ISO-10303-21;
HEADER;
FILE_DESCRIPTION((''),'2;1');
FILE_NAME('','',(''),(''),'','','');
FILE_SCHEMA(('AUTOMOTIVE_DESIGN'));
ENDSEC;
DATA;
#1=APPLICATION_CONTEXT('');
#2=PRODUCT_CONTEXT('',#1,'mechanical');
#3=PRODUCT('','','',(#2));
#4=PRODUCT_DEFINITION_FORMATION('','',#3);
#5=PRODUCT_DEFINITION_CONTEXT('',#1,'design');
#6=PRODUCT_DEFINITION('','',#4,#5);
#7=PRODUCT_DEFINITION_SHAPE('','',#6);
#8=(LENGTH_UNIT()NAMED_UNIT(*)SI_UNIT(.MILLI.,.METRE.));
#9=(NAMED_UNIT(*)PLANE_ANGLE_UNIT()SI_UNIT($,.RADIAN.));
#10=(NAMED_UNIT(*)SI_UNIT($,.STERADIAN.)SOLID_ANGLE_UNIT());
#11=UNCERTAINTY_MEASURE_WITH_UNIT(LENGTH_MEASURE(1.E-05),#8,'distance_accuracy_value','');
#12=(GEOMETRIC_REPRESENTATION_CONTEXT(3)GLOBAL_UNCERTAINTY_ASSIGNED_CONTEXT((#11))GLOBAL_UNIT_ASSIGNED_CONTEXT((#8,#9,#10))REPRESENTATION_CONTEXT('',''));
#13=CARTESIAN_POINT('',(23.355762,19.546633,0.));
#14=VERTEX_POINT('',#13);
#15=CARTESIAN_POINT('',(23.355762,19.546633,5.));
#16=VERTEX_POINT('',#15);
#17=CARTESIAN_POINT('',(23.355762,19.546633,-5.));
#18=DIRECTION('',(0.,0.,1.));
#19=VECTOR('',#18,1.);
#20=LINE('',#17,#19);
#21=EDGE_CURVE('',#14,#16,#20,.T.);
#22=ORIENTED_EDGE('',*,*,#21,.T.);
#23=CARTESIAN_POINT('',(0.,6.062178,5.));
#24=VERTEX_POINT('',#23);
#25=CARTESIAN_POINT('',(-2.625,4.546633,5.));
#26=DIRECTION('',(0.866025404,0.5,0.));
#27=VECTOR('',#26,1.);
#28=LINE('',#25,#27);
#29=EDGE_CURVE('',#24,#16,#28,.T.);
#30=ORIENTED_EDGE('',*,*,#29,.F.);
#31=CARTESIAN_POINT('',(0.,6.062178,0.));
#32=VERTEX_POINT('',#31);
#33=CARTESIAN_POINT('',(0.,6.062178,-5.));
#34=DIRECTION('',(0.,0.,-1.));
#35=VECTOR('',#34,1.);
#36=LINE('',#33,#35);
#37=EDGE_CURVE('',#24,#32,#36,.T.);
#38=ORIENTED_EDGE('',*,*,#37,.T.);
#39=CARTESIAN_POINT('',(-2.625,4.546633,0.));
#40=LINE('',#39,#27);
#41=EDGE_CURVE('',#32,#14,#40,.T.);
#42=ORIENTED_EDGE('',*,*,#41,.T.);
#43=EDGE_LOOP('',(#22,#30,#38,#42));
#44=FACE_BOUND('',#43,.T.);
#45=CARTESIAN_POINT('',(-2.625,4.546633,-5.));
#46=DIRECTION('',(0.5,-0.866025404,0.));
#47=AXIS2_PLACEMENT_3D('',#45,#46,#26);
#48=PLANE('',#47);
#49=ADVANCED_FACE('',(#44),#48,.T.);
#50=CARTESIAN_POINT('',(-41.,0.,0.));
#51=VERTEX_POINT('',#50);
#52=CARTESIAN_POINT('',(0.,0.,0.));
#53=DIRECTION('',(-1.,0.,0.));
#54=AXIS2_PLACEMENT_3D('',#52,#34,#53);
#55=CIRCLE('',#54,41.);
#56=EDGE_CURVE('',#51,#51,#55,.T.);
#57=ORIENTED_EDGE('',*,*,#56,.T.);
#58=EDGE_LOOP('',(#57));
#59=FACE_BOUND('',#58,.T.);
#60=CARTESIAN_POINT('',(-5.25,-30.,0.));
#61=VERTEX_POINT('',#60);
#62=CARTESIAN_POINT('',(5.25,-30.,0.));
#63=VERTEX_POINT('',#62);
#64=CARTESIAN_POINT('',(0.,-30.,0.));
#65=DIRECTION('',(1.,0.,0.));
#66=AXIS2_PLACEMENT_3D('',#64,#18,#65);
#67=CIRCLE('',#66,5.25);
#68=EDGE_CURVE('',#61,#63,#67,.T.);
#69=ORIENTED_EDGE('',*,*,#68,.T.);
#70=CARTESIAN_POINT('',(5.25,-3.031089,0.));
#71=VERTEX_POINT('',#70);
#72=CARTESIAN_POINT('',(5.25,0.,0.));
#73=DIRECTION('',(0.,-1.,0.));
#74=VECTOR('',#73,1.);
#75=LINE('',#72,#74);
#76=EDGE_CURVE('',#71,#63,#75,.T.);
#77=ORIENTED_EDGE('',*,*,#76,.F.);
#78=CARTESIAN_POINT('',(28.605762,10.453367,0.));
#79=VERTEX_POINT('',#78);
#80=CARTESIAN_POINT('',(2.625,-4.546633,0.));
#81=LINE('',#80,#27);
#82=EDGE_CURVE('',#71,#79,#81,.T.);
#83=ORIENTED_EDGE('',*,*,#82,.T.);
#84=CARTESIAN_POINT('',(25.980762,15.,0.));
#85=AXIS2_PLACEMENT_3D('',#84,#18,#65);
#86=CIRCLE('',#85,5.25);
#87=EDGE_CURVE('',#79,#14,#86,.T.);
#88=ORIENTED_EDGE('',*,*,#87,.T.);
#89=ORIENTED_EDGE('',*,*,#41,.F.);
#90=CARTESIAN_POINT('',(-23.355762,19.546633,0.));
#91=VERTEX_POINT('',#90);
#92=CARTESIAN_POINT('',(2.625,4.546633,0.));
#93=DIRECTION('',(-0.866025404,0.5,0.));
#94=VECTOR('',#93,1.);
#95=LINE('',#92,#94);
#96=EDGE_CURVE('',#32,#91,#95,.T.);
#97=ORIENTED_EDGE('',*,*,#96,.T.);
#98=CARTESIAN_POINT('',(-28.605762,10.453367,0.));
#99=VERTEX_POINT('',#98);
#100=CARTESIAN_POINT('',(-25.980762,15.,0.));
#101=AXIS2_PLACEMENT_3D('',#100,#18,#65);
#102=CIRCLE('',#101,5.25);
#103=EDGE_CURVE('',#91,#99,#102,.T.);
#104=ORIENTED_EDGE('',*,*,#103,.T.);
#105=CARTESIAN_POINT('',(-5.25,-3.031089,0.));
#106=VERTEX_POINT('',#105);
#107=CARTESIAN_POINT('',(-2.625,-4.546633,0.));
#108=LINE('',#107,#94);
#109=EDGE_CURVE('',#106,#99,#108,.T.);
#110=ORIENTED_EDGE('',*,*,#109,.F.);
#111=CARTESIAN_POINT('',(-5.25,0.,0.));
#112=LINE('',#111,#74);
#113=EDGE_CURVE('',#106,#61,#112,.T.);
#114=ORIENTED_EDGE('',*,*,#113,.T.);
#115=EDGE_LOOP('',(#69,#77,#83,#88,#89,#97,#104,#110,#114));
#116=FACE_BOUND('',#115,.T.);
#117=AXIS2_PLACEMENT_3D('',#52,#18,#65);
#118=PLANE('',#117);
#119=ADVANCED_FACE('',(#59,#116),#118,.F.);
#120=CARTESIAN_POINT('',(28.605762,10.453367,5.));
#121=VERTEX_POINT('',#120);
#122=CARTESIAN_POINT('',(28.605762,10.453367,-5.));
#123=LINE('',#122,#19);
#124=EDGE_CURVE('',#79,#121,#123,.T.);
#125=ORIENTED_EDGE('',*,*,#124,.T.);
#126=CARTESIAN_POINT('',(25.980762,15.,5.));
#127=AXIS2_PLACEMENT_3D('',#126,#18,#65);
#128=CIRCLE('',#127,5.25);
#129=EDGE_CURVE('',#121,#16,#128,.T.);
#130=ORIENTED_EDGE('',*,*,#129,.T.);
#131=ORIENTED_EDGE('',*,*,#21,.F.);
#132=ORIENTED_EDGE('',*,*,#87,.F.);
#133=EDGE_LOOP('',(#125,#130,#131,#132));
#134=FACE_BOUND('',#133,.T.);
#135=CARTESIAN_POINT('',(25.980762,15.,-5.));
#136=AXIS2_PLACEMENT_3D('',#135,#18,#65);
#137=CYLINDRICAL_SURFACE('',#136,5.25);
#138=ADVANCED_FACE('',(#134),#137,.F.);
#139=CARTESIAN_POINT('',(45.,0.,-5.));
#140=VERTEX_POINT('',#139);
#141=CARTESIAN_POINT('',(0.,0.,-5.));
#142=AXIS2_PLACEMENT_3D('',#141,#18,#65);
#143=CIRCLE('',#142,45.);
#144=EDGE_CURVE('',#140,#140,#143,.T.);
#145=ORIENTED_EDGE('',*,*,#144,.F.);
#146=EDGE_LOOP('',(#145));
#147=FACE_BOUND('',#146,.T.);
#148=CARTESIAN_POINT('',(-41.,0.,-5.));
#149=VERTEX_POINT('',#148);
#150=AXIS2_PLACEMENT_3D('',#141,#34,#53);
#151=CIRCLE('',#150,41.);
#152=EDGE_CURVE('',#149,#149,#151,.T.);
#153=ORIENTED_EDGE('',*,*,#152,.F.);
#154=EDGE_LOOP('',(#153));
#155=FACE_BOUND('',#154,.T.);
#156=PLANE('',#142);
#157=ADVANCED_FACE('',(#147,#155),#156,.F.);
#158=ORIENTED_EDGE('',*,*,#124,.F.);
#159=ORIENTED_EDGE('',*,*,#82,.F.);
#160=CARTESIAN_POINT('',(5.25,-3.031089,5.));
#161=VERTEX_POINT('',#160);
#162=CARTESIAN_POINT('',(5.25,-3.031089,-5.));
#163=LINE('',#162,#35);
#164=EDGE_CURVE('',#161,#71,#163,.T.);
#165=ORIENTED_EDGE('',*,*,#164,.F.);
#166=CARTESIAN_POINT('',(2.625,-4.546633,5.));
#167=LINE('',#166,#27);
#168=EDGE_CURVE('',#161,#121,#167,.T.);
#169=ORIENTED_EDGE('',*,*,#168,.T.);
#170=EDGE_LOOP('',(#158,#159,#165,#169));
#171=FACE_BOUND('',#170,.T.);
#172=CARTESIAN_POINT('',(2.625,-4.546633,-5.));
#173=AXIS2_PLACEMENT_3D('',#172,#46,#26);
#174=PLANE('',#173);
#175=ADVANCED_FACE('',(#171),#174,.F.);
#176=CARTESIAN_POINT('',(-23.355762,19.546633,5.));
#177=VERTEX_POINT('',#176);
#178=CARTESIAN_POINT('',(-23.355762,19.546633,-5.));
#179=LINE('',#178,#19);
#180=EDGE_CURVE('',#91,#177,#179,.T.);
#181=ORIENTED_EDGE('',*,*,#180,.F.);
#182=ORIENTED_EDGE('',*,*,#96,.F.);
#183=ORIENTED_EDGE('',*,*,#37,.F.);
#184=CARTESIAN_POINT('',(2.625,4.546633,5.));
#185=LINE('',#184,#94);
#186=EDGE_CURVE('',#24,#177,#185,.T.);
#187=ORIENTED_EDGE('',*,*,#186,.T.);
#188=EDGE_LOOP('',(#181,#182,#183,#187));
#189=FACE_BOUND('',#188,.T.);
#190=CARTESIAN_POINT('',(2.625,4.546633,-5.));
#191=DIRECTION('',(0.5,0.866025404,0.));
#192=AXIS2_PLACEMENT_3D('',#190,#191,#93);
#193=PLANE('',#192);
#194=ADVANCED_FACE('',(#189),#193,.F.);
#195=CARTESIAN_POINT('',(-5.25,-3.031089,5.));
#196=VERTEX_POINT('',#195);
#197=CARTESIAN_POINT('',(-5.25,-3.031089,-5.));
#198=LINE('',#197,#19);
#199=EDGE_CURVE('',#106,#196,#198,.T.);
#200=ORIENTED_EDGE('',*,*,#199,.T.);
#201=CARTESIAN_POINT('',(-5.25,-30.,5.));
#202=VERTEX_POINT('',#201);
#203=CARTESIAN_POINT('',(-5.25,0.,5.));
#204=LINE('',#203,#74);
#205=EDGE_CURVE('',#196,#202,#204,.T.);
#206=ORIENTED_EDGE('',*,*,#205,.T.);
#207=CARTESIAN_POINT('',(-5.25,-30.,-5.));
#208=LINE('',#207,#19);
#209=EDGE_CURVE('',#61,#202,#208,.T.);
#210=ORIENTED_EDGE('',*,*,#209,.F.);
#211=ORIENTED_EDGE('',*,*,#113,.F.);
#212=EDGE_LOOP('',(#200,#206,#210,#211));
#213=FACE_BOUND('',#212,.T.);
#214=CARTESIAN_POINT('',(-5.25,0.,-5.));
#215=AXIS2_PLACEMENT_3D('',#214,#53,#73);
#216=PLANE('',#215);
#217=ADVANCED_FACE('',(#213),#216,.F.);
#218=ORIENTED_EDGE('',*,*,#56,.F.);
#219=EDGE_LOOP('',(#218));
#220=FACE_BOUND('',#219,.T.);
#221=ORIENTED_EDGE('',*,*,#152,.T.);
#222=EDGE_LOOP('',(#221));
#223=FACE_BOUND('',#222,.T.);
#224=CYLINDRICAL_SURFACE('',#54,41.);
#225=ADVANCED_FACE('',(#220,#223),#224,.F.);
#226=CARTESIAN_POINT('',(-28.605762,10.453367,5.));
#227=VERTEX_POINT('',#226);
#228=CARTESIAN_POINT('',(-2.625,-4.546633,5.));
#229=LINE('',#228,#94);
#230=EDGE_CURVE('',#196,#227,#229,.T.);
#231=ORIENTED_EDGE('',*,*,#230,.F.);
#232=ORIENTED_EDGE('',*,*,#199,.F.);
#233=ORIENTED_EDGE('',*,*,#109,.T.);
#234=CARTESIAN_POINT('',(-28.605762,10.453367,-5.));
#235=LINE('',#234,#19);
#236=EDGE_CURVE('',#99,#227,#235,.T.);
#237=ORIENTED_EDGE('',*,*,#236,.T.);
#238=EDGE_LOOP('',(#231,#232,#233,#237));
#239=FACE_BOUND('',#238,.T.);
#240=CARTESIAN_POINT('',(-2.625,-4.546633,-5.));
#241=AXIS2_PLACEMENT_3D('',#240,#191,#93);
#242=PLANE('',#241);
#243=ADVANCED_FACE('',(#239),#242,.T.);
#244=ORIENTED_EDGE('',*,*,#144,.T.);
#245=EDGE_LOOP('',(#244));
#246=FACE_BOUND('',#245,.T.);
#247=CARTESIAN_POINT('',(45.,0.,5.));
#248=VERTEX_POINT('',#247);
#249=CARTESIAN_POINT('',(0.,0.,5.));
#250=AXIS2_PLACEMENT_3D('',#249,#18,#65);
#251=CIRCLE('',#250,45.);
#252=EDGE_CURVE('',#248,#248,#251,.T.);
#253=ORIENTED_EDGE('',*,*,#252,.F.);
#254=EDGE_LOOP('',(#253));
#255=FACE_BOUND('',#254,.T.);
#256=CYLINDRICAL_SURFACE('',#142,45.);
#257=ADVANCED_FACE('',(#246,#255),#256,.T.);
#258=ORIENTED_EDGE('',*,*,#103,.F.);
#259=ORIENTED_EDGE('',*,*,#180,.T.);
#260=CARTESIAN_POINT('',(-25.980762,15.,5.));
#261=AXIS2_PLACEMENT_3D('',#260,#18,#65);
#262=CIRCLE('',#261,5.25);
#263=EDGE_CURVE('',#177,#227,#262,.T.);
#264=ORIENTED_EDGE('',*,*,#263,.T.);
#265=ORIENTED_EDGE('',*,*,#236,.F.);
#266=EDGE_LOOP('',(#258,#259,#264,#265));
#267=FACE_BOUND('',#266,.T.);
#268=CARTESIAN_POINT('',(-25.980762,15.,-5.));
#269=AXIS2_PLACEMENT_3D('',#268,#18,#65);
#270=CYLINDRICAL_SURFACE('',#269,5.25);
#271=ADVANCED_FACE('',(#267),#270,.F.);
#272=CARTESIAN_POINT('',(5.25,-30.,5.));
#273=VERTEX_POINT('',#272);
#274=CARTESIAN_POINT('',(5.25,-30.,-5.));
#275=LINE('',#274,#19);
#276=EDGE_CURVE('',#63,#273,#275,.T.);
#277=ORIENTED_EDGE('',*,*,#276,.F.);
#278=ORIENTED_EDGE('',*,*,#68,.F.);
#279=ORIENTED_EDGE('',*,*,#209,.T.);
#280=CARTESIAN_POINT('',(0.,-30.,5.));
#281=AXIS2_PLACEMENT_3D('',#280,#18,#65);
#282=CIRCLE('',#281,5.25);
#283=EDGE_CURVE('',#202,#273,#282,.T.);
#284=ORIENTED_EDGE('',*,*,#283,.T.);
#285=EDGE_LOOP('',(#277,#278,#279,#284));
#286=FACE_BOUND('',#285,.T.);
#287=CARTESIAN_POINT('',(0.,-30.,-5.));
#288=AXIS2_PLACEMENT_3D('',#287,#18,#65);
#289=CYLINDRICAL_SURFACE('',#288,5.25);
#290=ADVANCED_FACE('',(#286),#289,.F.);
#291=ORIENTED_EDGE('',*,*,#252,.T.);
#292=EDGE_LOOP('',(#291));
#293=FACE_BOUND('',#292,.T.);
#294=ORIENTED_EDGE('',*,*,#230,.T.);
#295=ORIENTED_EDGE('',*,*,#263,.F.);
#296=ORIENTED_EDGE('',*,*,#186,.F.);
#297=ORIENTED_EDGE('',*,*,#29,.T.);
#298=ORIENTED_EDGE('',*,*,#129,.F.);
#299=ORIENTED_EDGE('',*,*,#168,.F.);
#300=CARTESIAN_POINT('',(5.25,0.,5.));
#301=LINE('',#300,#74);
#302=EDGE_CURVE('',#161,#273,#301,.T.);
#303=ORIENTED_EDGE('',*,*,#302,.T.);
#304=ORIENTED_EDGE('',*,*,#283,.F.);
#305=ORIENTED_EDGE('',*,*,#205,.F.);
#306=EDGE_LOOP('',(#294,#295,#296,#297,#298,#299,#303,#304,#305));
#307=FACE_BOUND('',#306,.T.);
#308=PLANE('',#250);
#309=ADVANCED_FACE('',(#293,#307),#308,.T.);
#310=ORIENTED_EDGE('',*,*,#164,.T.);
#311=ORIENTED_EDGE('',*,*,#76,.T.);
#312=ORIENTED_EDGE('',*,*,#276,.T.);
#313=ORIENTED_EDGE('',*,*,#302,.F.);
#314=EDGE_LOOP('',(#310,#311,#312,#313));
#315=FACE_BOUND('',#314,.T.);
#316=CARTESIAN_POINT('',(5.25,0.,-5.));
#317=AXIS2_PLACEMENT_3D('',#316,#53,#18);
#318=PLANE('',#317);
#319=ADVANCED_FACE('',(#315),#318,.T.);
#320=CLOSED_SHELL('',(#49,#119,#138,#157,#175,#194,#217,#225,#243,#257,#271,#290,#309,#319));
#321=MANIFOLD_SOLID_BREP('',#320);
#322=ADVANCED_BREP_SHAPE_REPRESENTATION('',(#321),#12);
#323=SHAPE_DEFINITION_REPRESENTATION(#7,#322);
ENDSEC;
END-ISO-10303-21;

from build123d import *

# Parameters (mm, degrees)
CROQUIS1_R              = 40
DISCO_DEPTH             = 5
CORTAR_EXTRUIR1_DEPTH   = 10
SALIENTE_EXTRUIR5_START = -10
CROQUIS7_R              = 45
CROQUIS7_R_2            = 40
SALIENTE_EXTRUIR5_DEPTH = 10
CROQUIS8_R              = 41
CORTAR_EXTRUIR2_DEPTH   = 5


with BuildPart() as part:
    # Croquis1 → Disco (new body)
    with BuildSketch(Plane.XY):
        Circle(CROQUIS1_R)
    extrude(amount=DISCO_DEPTH)

    # Croquis6 → Cortar-Extruir1 (cut)
    with BuildSketch(Plane.XY.offset(5)):
        with BuildLine():
            Line((-5.25, 0), (-5.25, -30))
            ThreePointArc((-5.25, -30), (0, -35.25), (5.25, -30))
            Line((5.25, -30), (5.25, 0))
            ThreePointArc((5.25, 0), (0, 5.25), (-5.25, 0))
        make_face()
        with BuildLine():
            Line((2.625, 4.54663337), (-23.355762114, 19.54663337))
            ThreePointArc((-23.355762114, 19.54663337), (-30.527395483, 17.625), (-28.605762114, 10.45336663))
            Line((-28.605762114, 10.45336663), (-2.625, -4.54663337))
            ThreePointArc((-2.625, -4.54663337), (4.54663337, -2.625), (2.625, 4.54663337))
        make_face()
        with BuildLine():
            Line((2.625, -4.54663337), (28.605762114, 10.45336663))
            ThreePointArc((28.605762114, 10.45336663), (30.527395483, 17.625), (23.355762114, 19.54663337))
            Line((23.355762114, 19.54663337), (-2.625, 4.54663337))
            ThreePointArc((-2.625, 4.54663337), (-4.54663337, -2.625), (2.625, -4.54663337))
        make_face()
    extrude(amount=-CORTAR_EXTRUIR1_DEPTH, mode=Mode.SUBTRACT)

    # Croquis7 → Saliente-Extruir5 (add)
    with BuildSketch(Plane.XY.offset(5).offset(SALIENTE_EXTRUIR5_START)):
        Circle(CROQUIS7_R)
        Circle(CROQUIS7_R_2, mode=Mode.SUBTRACT)
    extrude(amount=SALIENTE_EXTRUIR5_DEPTH)

    # Croquis8 → Cortar-Extruir2 (cut)
    with BuildSketch(Plane(origin=(0, 0, -5), x_dir=(-1, 0, 0), z_dir=(0, 0, -1))):
        Circle(CROQUIS8_R)
    extrude(amount=-CORTAR_EXTRUIR2_DEPTH, mode=Mode.SUBTRACT)


solid = part.part
